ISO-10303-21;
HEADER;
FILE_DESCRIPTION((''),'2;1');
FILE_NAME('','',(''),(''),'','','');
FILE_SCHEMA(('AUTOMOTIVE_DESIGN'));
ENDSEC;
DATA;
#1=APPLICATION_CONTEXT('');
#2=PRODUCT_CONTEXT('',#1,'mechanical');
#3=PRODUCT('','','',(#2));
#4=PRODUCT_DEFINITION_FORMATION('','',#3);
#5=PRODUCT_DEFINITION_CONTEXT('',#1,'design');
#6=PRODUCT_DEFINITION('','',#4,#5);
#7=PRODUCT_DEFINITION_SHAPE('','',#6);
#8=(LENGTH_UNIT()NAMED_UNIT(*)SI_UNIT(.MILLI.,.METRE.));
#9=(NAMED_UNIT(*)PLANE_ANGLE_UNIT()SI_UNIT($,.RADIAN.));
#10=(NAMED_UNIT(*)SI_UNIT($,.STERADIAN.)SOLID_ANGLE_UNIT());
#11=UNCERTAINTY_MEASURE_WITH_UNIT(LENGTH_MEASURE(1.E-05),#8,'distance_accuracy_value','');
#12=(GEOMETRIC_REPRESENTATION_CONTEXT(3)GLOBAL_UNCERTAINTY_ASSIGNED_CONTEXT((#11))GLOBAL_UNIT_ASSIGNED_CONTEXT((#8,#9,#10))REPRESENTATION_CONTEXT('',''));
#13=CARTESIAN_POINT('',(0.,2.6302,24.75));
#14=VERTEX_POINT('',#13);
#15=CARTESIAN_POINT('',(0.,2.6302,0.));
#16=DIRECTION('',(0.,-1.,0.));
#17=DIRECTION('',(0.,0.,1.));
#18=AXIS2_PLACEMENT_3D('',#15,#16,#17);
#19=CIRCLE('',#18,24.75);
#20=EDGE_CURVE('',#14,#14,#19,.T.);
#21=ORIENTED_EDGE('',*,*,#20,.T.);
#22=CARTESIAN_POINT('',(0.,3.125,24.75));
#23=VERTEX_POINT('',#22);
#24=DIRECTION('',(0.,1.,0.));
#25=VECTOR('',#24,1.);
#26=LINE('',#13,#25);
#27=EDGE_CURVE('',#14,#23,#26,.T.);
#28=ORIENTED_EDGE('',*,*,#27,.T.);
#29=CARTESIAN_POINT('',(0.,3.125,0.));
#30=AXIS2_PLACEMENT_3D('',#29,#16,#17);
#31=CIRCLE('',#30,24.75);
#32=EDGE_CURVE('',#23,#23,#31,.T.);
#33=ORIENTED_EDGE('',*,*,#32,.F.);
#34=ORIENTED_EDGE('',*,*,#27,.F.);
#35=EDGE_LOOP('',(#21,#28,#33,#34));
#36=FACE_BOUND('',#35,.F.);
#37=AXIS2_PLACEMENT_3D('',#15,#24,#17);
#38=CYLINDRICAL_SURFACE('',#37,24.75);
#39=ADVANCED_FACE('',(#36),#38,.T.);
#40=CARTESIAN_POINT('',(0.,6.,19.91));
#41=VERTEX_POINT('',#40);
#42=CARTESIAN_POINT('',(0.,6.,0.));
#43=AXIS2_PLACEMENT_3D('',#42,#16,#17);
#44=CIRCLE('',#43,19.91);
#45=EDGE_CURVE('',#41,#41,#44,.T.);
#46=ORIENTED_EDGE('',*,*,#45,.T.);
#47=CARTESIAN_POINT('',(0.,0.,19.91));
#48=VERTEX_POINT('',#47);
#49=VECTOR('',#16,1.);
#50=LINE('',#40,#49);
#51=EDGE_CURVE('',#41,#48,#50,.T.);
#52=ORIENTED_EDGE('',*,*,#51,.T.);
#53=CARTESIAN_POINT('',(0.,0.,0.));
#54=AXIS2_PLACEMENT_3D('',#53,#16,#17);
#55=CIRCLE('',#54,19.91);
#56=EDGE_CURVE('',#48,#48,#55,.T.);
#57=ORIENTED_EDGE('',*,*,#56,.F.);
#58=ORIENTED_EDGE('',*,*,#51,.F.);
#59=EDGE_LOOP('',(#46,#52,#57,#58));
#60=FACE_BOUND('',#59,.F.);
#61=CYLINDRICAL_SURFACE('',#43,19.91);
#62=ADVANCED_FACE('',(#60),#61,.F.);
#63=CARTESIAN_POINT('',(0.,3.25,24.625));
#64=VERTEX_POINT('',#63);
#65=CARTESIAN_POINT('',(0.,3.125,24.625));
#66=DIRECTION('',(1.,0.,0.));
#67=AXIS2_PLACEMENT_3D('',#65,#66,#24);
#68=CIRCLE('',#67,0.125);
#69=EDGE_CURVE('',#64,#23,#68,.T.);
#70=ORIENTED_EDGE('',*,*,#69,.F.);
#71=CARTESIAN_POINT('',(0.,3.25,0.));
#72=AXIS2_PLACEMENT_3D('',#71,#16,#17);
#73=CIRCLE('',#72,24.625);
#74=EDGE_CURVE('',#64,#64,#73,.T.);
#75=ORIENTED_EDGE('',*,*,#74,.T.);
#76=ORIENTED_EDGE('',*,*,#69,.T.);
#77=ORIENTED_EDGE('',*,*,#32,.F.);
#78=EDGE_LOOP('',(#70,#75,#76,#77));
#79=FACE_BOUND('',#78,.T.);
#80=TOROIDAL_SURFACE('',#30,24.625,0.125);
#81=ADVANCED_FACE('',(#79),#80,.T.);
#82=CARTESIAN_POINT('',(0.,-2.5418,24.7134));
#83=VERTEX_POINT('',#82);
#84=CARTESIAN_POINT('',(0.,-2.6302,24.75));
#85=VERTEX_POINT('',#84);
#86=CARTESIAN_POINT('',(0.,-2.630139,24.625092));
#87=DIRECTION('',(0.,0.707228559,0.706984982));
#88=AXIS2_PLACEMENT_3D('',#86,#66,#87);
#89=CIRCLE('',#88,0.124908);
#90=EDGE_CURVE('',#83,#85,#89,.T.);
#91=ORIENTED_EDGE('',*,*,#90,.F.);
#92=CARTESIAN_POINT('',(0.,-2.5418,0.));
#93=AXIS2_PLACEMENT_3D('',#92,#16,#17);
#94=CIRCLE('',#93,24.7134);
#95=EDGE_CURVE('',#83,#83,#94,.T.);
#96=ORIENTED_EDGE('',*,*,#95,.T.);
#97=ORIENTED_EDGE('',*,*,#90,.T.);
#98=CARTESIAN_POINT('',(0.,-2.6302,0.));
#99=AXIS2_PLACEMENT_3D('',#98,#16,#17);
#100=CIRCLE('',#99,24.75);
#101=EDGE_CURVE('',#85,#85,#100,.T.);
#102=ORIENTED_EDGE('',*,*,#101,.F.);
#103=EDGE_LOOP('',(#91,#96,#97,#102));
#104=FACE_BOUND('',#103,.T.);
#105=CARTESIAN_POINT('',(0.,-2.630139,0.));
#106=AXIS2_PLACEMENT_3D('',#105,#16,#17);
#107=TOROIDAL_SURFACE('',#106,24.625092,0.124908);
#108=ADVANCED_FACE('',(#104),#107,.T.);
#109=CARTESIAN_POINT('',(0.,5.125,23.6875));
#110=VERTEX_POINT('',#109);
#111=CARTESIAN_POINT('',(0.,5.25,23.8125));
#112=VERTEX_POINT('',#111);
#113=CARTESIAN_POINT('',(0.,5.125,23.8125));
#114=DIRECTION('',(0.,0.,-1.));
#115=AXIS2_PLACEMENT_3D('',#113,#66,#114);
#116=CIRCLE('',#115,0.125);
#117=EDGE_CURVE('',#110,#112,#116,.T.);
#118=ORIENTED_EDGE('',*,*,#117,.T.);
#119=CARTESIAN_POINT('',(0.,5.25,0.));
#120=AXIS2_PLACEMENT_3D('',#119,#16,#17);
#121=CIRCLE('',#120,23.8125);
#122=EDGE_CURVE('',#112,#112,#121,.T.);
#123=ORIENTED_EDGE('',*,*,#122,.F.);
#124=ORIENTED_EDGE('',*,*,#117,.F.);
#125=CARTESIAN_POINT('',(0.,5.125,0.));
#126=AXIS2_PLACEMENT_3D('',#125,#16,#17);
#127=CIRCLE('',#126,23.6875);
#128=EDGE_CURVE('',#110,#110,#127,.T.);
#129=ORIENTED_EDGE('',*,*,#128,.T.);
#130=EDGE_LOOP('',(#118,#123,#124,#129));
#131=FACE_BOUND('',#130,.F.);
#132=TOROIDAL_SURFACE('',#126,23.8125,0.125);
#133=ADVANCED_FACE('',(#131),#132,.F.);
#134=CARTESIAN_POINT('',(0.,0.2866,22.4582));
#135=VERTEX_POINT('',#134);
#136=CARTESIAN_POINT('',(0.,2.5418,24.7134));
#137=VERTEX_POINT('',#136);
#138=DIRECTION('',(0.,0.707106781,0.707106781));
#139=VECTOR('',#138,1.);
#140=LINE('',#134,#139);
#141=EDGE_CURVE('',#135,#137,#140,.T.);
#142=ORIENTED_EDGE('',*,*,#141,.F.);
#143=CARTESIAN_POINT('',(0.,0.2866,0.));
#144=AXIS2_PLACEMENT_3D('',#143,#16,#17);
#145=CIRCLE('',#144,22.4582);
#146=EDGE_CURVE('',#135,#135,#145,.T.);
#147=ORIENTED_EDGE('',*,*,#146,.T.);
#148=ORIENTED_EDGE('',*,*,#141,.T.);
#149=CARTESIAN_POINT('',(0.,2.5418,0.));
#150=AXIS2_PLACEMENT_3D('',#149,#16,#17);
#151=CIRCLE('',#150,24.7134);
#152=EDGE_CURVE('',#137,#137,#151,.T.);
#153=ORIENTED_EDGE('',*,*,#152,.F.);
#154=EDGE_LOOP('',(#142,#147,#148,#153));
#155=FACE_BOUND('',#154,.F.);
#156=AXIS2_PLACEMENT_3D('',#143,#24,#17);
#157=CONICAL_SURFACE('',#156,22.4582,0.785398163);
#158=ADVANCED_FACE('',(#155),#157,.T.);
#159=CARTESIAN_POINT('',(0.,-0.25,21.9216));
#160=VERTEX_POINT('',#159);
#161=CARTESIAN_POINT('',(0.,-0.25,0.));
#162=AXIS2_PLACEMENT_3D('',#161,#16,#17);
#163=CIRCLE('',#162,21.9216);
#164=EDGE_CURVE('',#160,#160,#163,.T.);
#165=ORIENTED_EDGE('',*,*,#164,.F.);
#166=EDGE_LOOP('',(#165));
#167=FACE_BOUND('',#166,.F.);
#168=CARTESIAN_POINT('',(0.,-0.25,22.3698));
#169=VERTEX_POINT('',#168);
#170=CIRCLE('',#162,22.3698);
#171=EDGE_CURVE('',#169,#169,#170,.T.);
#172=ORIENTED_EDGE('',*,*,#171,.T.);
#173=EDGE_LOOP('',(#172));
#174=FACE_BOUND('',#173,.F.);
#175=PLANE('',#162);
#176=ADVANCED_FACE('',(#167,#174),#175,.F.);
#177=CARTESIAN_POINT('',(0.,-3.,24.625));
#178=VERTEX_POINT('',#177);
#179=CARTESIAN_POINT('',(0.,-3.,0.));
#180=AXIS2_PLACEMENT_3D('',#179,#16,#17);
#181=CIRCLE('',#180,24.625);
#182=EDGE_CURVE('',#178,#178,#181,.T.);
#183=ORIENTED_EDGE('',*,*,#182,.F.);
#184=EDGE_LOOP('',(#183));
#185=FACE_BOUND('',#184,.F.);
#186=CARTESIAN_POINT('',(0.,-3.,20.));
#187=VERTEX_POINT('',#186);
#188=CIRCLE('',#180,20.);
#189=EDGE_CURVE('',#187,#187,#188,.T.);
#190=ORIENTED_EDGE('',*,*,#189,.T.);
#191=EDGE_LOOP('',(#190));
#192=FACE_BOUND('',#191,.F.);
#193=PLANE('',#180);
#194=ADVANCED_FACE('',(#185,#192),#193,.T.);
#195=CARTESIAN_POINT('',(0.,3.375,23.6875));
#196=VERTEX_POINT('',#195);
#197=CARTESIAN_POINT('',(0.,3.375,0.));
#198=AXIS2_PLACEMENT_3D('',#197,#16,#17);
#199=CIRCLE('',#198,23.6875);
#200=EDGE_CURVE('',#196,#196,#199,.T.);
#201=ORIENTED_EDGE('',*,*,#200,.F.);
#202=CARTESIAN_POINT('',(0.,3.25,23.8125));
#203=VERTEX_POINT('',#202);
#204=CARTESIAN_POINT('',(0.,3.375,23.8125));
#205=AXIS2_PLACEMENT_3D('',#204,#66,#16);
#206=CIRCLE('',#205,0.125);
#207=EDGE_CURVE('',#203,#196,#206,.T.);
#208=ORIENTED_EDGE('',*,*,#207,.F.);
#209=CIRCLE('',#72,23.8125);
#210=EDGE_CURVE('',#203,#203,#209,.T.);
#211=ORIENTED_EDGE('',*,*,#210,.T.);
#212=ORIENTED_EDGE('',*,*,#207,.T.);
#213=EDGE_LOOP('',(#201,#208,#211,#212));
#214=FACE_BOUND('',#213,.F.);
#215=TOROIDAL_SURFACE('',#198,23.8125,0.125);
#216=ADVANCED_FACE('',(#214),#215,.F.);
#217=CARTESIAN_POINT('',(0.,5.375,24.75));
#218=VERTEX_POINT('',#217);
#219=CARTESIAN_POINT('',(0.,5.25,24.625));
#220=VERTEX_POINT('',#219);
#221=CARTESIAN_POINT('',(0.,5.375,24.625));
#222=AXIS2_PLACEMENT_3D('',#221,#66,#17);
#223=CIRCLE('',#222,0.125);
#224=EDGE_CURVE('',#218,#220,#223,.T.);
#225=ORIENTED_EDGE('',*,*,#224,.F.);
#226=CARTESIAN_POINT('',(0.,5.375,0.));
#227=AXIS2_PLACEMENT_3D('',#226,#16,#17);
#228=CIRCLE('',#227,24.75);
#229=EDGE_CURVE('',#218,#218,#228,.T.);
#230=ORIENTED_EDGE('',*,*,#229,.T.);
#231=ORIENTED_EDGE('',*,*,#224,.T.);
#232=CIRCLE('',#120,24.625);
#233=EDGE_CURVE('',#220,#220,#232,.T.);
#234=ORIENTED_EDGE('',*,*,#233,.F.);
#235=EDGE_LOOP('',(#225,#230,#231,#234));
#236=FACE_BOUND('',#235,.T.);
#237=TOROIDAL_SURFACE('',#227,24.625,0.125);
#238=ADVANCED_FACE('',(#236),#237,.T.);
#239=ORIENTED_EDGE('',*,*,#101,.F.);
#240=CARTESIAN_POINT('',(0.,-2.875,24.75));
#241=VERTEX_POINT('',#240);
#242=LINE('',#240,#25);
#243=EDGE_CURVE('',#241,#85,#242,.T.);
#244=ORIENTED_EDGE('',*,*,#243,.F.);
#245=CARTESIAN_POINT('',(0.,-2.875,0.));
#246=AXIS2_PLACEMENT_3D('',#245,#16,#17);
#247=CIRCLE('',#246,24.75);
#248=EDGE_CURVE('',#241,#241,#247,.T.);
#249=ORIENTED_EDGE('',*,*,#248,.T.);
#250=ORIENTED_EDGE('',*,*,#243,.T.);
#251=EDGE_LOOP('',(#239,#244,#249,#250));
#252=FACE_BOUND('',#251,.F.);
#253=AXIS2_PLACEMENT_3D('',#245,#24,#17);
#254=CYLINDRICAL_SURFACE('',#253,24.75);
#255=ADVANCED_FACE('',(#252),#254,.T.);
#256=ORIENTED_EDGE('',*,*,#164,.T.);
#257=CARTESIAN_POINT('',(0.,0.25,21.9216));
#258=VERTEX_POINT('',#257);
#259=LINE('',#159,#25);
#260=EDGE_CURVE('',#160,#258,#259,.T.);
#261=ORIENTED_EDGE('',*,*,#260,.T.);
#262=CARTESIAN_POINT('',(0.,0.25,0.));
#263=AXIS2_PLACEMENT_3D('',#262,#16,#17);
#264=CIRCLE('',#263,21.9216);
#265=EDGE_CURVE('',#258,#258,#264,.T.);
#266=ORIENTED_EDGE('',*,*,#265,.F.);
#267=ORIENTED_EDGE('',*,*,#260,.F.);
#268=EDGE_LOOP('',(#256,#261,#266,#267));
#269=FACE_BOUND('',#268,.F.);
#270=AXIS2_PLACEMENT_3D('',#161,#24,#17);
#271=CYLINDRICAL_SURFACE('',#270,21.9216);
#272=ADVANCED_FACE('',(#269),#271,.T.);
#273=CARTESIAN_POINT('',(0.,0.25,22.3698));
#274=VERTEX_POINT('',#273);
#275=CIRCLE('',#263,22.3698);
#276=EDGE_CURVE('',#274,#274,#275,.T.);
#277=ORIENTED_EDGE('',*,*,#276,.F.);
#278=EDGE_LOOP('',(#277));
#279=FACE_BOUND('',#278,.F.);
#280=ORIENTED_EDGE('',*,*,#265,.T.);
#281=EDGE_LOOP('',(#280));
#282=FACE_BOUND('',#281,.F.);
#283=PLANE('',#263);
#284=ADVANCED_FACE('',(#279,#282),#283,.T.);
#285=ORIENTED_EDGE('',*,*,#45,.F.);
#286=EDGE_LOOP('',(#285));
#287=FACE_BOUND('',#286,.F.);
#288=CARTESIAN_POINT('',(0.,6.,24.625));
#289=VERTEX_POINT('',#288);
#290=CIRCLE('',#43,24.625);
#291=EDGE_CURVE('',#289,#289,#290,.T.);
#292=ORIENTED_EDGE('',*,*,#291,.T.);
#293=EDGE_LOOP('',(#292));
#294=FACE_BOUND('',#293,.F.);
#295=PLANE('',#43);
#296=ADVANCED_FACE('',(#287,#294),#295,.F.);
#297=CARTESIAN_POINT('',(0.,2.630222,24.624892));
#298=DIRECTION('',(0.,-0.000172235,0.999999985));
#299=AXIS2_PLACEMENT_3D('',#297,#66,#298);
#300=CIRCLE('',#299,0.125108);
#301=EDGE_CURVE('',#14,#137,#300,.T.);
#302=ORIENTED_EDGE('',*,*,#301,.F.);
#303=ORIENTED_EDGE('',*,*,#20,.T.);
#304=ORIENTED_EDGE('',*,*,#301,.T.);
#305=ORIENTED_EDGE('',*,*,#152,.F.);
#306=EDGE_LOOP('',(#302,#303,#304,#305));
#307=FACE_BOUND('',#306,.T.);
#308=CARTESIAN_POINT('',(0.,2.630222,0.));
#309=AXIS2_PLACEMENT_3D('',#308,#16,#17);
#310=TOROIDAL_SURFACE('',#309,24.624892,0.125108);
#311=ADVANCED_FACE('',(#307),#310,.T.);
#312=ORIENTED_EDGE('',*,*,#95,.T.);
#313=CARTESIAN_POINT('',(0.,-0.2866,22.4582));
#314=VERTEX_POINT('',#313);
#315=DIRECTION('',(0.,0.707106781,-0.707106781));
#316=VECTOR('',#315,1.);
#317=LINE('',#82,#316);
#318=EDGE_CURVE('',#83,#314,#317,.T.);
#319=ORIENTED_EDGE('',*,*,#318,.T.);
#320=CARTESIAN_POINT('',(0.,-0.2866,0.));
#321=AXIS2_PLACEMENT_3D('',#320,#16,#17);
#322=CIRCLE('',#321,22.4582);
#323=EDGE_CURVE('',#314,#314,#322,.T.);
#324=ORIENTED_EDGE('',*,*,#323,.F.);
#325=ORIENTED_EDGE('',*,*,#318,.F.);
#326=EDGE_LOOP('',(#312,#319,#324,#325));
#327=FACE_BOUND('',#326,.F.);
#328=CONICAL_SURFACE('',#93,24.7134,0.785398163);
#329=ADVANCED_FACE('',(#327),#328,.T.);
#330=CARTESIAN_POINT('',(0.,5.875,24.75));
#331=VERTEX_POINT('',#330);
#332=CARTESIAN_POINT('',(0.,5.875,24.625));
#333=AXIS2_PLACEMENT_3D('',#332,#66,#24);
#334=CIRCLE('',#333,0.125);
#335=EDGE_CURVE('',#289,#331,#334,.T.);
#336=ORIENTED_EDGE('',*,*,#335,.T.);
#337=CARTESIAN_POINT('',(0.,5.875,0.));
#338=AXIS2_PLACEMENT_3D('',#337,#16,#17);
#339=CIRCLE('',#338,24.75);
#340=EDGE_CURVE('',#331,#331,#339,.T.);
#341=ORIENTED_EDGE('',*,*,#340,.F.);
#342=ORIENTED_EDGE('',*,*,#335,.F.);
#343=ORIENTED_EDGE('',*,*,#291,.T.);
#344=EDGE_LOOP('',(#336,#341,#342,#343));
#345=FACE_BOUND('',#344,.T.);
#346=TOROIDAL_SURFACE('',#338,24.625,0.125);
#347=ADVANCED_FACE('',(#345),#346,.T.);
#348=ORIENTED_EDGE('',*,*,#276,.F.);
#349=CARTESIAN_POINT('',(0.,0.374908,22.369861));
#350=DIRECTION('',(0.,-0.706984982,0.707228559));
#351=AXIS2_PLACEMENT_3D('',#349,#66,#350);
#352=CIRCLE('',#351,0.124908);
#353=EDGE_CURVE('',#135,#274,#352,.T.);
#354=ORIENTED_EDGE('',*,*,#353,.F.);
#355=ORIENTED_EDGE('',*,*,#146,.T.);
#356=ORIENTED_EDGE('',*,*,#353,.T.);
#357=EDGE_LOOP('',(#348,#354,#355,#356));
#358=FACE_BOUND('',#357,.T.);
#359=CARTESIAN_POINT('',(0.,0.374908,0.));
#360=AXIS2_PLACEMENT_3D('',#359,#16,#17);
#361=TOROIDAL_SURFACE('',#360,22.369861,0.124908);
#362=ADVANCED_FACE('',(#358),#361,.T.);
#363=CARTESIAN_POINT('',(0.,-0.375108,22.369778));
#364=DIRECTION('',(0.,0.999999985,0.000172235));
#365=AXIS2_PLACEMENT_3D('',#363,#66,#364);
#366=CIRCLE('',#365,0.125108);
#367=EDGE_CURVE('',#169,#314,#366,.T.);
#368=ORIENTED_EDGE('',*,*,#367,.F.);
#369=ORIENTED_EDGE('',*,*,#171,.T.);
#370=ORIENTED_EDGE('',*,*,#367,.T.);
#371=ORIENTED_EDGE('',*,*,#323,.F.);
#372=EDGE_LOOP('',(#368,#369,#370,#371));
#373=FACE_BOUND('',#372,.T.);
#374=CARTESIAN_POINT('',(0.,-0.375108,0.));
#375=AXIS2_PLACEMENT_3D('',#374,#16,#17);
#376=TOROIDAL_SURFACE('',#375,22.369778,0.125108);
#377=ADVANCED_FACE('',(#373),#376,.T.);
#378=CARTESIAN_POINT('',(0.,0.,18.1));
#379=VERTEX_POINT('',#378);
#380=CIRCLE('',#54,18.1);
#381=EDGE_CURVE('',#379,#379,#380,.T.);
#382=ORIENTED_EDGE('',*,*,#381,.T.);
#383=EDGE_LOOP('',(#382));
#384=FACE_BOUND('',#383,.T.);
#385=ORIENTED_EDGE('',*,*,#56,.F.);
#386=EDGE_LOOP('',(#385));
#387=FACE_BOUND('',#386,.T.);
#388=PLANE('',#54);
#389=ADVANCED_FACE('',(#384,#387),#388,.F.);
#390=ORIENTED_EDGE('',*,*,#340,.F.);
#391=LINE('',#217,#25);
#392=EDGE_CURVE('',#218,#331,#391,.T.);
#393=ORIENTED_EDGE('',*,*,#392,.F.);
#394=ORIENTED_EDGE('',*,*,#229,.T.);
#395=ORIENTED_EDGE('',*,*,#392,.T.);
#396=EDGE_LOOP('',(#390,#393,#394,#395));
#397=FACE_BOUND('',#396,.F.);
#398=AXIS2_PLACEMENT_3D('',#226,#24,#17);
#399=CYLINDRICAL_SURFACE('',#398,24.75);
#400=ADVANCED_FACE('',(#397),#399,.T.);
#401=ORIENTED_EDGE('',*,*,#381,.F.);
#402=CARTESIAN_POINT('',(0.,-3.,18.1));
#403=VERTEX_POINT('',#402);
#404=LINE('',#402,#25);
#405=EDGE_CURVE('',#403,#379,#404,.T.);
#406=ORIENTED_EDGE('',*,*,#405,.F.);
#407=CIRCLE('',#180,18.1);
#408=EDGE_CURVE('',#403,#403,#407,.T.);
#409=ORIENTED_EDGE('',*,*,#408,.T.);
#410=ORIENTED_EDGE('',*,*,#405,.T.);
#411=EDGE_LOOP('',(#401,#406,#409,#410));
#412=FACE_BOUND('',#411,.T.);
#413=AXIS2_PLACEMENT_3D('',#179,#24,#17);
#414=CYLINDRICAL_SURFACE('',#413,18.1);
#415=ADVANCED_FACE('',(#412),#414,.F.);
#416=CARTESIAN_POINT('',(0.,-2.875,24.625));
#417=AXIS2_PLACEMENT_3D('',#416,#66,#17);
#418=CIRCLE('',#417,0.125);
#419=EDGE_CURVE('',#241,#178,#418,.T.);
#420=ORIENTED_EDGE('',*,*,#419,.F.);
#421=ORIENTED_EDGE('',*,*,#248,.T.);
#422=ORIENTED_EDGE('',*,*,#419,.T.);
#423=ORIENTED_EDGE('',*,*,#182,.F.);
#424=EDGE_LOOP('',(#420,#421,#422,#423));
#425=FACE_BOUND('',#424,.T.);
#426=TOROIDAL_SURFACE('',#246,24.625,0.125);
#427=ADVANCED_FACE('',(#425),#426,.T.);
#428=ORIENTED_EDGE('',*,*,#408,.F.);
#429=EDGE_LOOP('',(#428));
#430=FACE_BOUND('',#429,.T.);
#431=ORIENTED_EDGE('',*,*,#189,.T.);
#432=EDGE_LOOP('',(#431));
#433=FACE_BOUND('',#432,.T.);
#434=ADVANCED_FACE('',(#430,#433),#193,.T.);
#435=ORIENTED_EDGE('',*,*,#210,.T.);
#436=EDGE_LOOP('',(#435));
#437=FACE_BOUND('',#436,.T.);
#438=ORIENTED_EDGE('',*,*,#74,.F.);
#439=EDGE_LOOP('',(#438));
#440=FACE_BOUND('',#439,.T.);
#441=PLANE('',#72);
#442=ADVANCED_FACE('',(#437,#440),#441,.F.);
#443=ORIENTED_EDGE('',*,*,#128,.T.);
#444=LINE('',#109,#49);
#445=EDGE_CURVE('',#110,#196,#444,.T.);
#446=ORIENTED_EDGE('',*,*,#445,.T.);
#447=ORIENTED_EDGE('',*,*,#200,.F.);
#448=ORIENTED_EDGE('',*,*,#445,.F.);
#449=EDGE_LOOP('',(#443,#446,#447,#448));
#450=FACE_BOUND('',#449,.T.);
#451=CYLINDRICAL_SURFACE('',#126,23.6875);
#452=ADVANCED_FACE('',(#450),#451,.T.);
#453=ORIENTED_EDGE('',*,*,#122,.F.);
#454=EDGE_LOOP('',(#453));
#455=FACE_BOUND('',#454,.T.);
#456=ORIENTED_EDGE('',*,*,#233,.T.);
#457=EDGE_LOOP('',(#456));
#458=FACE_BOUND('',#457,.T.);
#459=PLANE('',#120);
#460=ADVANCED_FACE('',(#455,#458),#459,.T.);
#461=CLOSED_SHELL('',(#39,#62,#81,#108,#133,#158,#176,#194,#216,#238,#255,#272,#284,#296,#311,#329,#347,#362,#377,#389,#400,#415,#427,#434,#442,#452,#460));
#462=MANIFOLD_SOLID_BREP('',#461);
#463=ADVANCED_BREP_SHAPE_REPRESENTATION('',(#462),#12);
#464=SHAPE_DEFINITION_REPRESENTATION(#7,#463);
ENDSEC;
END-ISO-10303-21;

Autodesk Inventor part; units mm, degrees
ref_plane "YZ Plane" through (0, 0, 0) normal (1, 0, 0) x (0, 1, 0)
ref_plane "XZ Plane" through (0, 0, 0) normal (0, 1, 0) x (-1, 0, 0)
ref_plane "XY Plane" through (0, 0, 0) normal (0, 0, 1) x (1, 0, 0)
sketch "Sketch1" plane through (0, 0, 0) normal (1, 0, 0) x (0, 1, 0)
  line L0 (4.4305, 0) -> (-4.4305, 0)
  line L1 (6, 19.91) -> (0, 19.91)
  line L2 (-3, 20) -> (-3, 24.625)
  line L3 (-2.875, 24.75) -> (-2.6302, 24.75)
  line L4 (-2.5418, 24.7134) -> (-0.2866, 22.4582)
  line L5 (-0.25, 22.3698) -> (-0.25, 21.9216)
  line L6 (-0.25, 21.9216) -> (0.25, 21.9216)
  line L7 (0.25, 21.9216) -> (0.25, 22.3698)
  line L8 (0.2866, 22.4582) -> (2.5418, 24.7134)
  line L9 (6, 24.625) -> (6, 19.91)
  line L10 (5.25, 24.625) -> (5.25, 23.8125)
  line L11 (5.125, 23.6875) -> (3.375, 23.6875)
  line L12 (3.25, 23.8125) -> (3.25, 24.625)
  line L13 (2.6302, 24.75) -> (3.125, 24.75)
  line L14 (5.375, 24.75) -> (5.875, 24.75)
  arc A0 (-2.875, 24.75) -> (-3, 24.625) centre (-2.875, 24.625) ccw
  arc A1 (-2.5418, 24.7134) -> (-2.6302, 24.75) centre (-2.6302, 24.625) ccw
  arc A2 (-0.25, 22.3698) -> (-0.2866, 22.4582) centre (-0.375, 22.3698) ccw
  arc A3 (0.2866, 22.4582) -> (0.25, 22.3698) centre (0.375, 22.3698) ccw
  arc A4 (2.6302, 24.75) -> (2.5418, 24.7134) centre (2.6302, 24.625) ccw
  arc A5 (3.25, 24.625) -> (3.125, 24.75) centre (3.125, 24.625) ccw
  arc A6 (3.25, 23.8125) -> (3.375, 23.6875) centre (3.375, 23.8125) ccw
  arc A7 (5.125, 23.6875) -> (5.25, 23.8125) centre (5.125, 23.8125) ccw
  arc A8 (5.375, 24.75) -> (5.25, 24.625) centre (5.375, 24.625) ccw
  arc A9 (6, 24.625) -> (5.875, 24.75) centre (5.875, 24.625) ccw
  circle A10 centre (4.25, 24.6875) radius 1 construction
  line L15 (2.8284, 25) -> (0, 22.1716) construction
  line L16 (0, 22.1716) -> (-2.8284, 25) construction
  line L17 (-2.8284, 25) -> (0, 27.8284) construction
  line L18 (0, 27.8284) -> (2.8284, 25) construction
  line L19 (2.8284, 25) -> (-2.8284, 25) construction
  line L20 (0, 22.1716) -> (0, 27.8284) construction
  line L21 (-3, 20) -> (-3, 18.1)
  line L22 (-3, 18.1) -> (0, 18.1)
  line L23 (0, 18.1) -> (0, 19.91)
  point P0 (0, 0)
  point P1 (0, 0)
  point P2 (-3, 24.75)
  point P3 (-2.5784, 24.75)
  point P4 (-0.25, 22.4216)
  point P5 (0.25, 22.4216)
  point P6 (2.5784, 24.75)
  point P7 (6, 24.75)
  point P8 (0, 21.9216)
  point P9 (1.5, 19.91)
  point P10 (6, 22.2675)
  point P11 (5.25, 24.75)
  point P12 (5.25, 23.6875)
  point P13 (3.25, 23.6875)
  point P14 (3.25, 24.75)
  point P15 (2.8776, 24.75)
  point P16 (0, 25)
  point P17 (1.4142, 23.5858)
  point P18 (-1.4142, 23.5858)
  point P19 (0, 25)
  dimension "d1" = 0.5
  dimension "d2" = 0.5
  dimension "d5" = 6
  dimension "d12" = 2
  dimension "d13" = 135
  dimension "d18" = 0.125
  dimension "d19" = 39.82
  dimension "d20" = 2
  dimension "d21" = 1
  dimension "d22" = 0.0625
  dimension "d23" = 4
  dimension "d24" = 50
  dimension "d25" = 0.25
  dimension "d27" = 4.25
  dimension "d31" = 3
  dimension "d32" = 36.2
revolve "Revolution1" add sketch "Sketch1" angle 360 about axis through (0, 4.4305, 0) along (0, -1, 0)
equation "\"d2\" = d1"
equation "\"d20\" = d12"
equation "\"d21\" = 0.5 * d20"
properties part number "INSIDE_CR_BEARING,REV-ENG" material "Stainless Steel, 316L"
